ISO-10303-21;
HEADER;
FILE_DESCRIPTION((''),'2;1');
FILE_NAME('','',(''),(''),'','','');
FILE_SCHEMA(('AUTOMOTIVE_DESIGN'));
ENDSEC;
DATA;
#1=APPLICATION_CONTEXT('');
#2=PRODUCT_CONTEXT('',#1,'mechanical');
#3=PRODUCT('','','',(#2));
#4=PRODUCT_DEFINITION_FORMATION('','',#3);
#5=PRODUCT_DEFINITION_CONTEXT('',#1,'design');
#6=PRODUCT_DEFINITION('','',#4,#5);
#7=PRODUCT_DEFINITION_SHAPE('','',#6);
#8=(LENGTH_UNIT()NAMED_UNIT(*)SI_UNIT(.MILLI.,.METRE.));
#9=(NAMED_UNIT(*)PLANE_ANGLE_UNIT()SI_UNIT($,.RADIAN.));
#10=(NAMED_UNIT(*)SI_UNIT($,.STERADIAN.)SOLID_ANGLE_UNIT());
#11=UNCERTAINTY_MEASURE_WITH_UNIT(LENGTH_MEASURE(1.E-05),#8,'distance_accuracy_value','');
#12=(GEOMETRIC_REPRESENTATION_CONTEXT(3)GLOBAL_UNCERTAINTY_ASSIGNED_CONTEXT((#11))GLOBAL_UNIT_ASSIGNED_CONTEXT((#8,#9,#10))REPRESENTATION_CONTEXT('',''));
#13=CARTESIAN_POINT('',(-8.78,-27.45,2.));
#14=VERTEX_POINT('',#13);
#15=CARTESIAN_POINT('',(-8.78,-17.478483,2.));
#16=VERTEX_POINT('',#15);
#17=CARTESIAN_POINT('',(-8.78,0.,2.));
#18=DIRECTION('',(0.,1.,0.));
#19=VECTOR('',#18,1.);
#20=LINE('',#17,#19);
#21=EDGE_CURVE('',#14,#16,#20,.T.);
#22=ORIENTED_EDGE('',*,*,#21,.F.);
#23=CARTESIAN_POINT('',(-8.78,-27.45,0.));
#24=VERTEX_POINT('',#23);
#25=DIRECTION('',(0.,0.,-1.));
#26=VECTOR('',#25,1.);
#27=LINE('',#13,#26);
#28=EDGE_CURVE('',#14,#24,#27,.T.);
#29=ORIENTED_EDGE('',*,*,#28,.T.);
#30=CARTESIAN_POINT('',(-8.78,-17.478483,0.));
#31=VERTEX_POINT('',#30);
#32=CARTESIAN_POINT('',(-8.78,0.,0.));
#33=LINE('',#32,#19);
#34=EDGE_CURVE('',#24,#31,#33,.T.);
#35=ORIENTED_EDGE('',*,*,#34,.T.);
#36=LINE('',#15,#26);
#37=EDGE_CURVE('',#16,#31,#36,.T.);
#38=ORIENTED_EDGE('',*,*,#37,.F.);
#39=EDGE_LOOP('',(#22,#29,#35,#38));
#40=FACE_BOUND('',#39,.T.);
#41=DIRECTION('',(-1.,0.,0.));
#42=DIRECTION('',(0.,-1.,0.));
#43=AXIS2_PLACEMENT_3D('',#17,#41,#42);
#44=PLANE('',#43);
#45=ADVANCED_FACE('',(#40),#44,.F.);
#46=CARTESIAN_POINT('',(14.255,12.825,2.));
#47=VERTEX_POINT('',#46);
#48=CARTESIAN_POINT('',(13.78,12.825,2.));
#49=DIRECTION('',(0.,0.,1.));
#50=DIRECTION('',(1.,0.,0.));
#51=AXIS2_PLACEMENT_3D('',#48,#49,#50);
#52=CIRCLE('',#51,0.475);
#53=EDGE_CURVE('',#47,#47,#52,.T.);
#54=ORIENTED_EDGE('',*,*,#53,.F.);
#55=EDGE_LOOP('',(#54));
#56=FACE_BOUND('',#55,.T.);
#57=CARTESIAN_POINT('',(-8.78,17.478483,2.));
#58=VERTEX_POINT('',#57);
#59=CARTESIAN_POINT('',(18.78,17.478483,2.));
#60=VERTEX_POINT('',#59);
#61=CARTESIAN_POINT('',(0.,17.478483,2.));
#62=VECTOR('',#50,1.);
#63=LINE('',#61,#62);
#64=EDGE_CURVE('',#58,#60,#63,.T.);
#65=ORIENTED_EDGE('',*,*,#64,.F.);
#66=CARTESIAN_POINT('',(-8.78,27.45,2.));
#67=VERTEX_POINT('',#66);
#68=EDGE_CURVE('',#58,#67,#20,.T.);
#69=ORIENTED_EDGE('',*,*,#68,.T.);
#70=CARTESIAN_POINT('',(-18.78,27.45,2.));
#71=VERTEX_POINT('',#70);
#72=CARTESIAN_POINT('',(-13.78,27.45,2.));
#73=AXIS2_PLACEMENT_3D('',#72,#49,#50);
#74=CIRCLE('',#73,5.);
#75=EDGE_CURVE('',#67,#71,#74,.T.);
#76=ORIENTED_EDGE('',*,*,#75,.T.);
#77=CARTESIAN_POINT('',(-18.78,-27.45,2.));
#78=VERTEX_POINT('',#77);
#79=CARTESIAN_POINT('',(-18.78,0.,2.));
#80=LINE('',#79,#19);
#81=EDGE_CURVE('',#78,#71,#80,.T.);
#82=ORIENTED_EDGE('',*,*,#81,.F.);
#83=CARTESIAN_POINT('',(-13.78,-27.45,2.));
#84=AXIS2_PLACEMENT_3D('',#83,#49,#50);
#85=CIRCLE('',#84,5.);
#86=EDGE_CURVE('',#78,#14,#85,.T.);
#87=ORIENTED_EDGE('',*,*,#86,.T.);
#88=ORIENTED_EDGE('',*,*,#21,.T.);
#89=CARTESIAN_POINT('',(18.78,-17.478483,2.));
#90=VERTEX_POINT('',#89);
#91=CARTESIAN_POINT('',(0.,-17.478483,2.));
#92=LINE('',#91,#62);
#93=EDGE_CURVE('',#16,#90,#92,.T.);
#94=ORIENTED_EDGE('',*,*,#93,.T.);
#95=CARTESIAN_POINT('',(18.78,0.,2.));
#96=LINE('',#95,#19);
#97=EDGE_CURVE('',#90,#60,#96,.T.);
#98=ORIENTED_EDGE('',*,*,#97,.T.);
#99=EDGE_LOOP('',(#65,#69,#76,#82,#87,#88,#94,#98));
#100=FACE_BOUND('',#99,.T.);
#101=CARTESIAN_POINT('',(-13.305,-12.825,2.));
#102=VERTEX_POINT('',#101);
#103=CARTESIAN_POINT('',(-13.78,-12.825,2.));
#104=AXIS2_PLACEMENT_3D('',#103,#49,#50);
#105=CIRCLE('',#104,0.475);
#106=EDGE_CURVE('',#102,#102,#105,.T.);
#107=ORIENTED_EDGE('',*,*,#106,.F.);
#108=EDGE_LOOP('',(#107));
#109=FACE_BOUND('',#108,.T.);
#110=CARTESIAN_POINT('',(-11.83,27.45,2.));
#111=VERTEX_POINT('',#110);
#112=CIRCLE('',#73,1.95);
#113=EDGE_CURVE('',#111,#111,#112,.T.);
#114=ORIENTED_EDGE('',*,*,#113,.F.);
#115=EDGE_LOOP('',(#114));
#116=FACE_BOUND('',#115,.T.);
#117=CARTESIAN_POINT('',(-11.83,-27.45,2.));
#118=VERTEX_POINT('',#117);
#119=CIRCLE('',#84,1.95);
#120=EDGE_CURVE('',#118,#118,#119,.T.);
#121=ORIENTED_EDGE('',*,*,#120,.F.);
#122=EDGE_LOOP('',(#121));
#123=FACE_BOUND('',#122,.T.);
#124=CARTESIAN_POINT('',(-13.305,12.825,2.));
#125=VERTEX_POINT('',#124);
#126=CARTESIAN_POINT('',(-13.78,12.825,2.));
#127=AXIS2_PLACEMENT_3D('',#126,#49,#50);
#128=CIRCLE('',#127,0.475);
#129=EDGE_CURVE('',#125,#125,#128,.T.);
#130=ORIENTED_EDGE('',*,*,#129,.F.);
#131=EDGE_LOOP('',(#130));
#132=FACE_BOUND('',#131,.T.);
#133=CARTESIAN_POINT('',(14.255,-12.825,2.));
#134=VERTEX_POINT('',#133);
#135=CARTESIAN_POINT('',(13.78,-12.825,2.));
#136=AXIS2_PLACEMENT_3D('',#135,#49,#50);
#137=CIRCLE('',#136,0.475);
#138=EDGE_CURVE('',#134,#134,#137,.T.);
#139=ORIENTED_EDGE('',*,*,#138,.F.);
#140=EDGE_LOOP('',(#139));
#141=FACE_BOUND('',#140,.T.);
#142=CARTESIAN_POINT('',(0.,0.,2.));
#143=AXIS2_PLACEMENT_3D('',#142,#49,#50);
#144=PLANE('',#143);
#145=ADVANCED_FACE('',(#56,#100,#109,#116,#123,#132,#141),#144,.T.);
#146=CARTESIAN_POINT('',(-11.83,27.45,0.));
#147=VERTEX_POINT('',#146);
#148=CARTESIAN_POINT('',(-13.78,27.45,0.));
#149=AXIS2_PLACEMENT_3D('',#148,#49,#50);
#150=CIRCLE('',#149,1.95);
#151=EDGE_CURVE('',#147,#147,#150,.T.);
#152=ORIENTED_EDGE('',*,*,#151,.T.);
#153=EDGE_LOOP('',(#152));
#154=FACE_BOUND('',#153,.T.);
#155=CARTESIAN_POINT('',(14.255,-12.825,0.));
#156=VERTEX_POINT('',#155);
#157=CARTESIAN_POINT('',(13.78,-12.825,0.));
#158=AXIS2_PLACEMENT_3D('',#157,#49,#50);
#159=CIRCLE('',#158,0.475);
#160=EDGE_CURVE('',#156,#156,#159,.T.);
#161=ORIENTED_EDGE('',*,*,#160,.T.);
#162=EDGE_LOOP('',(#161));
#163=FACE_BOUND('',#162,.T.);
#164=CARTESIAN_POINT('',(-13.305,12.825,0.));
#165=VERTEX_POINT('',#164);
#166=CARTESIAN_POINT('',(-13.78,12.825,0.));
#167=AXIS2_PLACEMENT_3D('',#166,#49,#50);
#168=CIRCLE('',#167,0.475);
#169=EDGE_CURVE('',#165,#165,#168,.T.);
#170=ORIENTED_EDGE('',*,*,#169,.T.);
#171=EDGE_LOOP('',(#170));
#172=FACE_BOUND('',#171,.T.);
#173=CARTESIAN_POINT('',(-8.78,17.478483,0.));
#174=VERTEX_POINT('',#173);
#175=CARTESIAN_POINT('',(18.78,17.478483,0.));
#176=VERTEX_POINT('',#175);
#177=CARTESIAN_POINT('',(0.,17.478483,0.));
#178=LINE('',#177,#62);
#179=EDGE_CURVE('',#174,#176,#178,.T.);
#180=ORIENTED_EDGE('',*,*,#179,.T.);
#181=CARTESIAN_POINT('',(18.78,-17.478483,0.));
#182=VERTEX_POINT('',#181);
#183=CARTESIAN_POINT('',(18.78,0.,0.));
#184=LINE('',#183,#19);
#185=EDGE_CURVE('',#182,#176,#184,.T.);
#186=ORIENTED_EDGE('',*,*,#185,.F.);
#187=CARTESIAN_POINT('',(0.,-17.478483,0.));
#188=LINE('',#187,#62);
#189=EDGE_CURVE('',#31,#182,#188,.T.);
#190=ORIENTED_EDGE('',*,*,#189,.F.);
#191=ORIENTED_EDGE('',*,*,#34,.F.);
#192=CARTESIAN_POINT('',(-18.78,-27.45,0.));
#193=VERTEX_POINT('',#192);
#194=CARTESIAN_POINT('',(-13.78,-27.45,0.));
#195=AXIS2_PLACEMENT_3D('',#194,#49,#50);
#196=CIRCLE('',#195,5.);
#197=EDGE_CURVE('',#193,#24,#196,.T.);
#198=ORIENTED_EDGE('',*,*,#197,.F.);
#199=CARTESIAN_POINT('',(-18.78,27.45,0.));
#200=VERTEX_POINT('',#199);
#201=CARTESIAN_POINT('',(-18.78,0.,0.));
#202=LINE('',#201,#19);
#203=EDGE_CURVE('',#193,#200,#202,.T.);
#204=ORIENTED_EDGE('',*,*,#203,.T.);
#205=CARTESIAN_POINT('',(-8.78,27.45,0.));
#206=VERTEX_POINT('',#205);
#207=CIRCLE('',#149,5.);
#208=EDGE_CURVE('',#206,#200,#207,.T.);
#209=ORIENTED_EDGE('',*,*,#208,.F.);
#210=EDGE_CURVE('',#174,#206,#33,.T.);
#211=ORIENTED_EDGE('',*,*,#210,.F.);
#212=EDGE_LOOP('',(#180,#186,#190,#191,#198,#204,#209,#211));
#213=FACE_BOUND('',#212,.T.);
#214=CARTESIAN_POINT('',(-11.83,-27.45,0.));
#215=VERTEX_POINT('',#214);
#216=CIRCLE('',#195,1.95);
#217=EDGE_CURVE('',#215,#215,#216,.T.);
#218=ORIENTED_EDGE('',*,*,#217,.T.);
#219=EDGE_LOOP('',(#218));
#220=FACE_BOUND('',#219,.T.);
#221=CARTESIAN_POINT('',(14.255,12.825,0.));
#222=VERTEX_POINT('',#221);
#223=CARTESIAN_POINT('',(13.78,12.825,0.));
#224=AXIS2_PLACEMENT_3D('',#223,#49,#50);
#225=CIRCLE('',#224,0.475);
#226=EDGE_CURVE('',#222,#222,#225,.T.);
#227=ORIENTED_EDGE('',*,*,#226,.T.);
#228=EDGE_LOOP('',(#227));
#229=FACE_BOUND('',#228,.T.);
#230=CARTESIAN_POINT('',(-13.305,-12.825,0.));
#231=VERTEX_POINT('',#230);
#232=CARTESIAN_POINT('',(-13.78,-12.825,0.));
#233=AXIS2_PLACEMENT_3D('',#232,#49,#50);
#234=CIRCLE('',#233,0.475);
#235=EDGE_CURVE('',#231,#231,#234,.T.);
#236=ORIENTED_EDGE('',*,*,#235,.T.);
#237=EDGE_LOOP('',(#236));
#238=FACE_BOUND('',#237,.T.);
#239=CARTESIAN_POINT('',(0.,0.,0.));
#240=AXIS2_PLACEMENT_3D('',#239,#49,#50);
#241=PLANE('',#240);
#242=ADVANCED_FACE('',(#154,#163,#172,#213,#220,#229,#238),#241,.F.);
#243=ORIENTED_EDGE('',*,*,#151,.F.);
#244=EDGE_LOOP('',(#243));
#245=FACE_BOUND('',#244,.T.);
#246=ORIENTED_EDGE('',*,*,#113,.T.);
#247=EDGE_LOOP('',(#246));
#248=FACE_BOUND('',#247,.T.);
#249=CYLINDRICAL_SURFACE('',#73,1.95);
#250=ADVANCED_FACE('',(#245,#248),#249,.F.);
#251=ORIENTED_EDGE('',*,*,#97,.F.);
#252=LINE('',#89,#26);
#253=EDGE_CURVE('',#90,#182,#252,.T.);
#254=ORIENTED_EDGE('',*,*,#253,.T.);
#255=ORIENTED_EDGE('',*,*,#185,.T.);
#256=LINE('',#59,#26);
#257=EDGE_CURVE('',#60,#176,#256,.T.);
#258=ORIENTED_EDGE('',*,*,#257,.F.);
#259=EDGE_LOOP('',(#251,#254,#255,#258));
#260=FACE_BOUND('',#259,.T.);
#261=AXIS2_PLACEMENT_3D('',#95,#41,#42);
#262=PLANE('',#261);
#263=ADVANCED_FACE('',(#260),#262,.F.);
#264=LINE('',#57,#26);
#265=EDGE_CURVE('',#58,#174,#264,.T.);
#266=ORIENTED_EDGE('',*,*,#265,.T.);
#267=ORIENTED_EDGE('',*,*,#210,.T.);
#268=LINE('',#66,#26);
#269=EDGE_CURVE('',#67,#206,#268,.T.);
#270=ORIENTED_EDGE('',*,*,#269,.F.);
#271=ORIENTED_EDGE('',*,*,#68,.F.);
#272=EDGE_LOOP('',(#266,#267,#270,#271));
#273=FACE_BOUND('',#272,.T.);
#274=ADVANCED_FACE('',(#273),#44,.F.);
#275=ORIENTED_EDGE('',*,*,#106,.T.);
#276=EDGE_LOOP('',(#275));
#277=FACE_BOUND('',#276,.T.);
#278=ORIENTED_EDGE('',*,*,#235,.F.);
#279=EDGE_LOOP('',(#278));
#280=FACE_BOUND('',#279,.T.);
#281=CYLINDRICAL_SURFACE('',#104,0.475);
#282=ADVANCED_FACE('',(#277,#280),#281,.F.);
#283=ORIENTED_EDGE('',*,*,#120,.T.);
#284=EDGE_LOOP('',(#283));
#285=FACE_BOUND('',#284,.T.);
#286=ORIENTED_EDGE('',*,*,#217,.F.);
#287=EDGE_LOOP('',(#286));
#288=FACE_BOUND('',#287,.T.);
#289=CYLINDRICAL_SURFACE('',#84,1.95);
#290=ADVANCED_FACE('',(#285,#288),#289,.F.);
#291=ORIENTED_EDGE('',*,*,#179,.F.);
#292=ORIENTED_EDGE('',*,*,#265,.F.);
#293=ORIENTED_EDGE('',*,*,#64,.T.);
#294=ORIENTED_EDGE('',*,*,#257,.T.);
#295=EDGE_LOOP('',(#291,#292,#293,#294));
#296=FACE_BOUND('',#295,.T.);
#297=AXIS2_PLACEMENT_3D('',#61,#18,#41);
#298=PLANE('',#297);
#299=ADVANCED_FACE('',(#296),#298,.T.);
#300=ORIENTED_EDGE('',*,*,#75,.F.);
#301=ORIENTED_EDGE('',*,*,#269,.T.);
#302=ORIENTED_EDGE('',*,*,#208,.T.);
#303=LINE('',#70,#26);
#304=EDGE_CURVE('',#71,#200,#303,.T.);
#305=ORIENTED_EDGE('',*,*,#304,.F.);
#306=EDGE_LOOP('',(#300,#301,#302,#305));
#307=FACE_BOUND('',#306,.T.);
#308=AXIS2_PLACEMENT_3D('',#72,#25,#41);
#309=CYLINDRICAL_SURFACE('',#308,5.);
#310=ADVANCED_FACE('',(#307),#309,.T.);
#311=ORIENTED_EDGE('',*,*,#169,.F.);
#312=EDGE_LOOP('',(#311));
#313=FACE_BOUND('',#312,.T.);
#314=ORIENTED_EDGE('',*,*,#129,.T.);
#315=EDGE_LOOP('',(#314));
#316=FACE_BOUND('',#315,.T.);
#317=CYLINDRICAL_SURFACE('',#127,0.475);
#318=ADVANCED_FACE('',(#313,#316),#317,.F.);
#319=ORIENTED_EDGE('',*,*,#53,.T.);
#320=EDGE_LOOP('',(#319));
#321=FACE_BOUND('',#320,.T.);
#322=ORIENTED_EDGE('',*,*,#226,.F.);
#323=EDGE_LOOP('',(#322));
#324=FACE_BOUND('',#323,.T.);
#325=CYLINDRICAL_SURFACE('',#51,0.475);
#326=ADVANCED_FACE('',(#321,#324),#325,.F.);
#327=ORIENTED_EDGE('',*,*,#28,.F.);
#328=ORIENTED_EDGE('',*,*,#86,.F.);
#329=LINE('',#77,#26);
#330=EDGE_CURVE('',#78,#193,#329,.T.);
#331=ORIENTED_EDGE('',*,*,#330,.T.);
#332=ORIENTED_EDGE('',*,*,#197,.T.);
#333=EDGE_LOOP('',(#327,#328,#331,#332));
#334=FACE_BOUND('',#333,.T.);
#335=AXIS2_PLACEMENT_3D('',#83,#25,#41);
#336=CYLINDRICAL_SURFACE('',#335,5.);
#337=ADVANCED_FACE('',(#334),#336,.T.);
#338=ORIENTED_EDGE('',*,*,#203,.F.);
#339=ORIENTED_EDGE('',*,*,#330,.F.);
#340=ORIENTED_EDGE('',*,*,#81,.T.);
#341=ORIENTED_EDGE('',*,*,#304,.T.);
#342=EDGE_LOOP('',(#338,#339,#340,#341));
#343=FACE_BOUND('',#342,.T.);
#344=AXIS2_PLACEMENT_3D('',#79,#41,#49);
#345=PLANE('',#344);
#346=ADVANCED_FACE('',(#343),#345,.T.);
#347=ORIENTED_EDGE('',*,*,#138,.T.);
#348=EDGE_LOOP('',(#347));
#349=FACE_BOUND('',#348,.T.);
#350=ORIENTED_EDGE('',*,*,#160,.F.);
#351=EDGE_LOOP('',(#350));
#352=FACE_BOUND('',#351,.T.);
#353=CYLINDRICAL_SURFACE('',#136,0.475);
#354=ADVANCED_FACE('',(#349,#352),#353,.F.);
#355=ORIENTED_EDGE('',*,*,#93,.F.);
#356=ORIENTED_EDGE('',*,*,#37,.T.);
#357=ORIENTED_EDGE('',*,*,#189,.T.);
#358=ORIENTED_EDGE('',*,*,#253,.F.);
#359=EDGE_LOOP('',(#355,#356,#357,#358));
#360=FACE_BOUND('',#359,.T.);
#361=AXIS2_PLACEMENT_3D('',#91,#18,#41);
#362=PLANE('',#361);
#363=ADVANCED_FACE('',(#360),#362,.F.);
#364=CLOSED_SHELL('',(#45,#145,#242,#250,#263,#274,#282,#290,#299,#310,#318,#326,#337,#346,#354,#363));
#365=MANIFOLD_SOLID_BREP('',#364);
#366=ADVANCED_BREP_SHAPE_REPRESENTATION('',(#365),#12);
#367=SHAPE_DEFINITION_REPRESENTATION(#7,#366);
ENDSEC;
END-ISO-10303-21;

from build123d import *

# Parameters (mm, degrees)
SKETCH1_W                      = 27.56
SKETCH1_H                      = 34.956966618
BOSS_EXTRUDE1_DEPTH            = 2
TAP_DRILL_FOR_M1_2X0_25_TAP2_D = 0.95
M3_5_CLEARANCE_HOLE1_D         = 3.9


with BuildPart() as part:
    # Sketch1 → Boss-Extrude1 (new body)
    with BuildSketch(Plane.XY):
        with Locations((5, 0)):
            Rectangle(SKETCH1_W, SKETCH1_H)
        Polygon((-18.78, -10), (-18.78, -17.478483309), (-8.78, -17.478483309), (-8.78, 17.478483309), (-18.78, 17.478483309), (-18.78, 10), align=None)
        with BuildLine():
            Line((-18.78, 17.478483309), (-8.78, 17.478483309))
            Line((-8.78, 17.478483309), (-8.78, 27.45))
            ThreePointArc((-8.78, 27.45), (-13.78, 32.45), (-18.78, 27.45))
            Line((-18.78, 27.45), (-18.78, 17.478483309))
        make_face()
        with BuildLine():
            Line((-8.78, -17.478483309), (-18.78, -17.478483309))
            Line((-18.78, -17.478483309), (-18.78, -27.45))
            ThreePointArc((-18.78, -27.45), (-13.78, -32.45), (-8.78, -27.45))
            Line((-8.78, -27.45), (-8.78, -17.478483309))
        make_face()
    extrude(amount=BOSS_EXTRUDE1_DEPTH)

    # Tap Drill for M1.2x0.25 Tap2 (through all)
    with Locations(Plane.XY.offset(2)):
        with Locations((-13.78, -12.825), (-13.78, 12.825), (13.78, 12.825), (13.78, -12.825)):
            Hole(TAP_DRILL_FOR_M1_2X0_25_TAP2_D / 2)

    # M3.5 Clearance Hole1 (through all)
    with Locations(Plane.XY.offset(2)):
        with Locations((-13.78, -27.45), (-13.78, 27.45)):
            Hole(M3_5_CLEARANCE_HOLE1_D / 2)


solid = part.part
